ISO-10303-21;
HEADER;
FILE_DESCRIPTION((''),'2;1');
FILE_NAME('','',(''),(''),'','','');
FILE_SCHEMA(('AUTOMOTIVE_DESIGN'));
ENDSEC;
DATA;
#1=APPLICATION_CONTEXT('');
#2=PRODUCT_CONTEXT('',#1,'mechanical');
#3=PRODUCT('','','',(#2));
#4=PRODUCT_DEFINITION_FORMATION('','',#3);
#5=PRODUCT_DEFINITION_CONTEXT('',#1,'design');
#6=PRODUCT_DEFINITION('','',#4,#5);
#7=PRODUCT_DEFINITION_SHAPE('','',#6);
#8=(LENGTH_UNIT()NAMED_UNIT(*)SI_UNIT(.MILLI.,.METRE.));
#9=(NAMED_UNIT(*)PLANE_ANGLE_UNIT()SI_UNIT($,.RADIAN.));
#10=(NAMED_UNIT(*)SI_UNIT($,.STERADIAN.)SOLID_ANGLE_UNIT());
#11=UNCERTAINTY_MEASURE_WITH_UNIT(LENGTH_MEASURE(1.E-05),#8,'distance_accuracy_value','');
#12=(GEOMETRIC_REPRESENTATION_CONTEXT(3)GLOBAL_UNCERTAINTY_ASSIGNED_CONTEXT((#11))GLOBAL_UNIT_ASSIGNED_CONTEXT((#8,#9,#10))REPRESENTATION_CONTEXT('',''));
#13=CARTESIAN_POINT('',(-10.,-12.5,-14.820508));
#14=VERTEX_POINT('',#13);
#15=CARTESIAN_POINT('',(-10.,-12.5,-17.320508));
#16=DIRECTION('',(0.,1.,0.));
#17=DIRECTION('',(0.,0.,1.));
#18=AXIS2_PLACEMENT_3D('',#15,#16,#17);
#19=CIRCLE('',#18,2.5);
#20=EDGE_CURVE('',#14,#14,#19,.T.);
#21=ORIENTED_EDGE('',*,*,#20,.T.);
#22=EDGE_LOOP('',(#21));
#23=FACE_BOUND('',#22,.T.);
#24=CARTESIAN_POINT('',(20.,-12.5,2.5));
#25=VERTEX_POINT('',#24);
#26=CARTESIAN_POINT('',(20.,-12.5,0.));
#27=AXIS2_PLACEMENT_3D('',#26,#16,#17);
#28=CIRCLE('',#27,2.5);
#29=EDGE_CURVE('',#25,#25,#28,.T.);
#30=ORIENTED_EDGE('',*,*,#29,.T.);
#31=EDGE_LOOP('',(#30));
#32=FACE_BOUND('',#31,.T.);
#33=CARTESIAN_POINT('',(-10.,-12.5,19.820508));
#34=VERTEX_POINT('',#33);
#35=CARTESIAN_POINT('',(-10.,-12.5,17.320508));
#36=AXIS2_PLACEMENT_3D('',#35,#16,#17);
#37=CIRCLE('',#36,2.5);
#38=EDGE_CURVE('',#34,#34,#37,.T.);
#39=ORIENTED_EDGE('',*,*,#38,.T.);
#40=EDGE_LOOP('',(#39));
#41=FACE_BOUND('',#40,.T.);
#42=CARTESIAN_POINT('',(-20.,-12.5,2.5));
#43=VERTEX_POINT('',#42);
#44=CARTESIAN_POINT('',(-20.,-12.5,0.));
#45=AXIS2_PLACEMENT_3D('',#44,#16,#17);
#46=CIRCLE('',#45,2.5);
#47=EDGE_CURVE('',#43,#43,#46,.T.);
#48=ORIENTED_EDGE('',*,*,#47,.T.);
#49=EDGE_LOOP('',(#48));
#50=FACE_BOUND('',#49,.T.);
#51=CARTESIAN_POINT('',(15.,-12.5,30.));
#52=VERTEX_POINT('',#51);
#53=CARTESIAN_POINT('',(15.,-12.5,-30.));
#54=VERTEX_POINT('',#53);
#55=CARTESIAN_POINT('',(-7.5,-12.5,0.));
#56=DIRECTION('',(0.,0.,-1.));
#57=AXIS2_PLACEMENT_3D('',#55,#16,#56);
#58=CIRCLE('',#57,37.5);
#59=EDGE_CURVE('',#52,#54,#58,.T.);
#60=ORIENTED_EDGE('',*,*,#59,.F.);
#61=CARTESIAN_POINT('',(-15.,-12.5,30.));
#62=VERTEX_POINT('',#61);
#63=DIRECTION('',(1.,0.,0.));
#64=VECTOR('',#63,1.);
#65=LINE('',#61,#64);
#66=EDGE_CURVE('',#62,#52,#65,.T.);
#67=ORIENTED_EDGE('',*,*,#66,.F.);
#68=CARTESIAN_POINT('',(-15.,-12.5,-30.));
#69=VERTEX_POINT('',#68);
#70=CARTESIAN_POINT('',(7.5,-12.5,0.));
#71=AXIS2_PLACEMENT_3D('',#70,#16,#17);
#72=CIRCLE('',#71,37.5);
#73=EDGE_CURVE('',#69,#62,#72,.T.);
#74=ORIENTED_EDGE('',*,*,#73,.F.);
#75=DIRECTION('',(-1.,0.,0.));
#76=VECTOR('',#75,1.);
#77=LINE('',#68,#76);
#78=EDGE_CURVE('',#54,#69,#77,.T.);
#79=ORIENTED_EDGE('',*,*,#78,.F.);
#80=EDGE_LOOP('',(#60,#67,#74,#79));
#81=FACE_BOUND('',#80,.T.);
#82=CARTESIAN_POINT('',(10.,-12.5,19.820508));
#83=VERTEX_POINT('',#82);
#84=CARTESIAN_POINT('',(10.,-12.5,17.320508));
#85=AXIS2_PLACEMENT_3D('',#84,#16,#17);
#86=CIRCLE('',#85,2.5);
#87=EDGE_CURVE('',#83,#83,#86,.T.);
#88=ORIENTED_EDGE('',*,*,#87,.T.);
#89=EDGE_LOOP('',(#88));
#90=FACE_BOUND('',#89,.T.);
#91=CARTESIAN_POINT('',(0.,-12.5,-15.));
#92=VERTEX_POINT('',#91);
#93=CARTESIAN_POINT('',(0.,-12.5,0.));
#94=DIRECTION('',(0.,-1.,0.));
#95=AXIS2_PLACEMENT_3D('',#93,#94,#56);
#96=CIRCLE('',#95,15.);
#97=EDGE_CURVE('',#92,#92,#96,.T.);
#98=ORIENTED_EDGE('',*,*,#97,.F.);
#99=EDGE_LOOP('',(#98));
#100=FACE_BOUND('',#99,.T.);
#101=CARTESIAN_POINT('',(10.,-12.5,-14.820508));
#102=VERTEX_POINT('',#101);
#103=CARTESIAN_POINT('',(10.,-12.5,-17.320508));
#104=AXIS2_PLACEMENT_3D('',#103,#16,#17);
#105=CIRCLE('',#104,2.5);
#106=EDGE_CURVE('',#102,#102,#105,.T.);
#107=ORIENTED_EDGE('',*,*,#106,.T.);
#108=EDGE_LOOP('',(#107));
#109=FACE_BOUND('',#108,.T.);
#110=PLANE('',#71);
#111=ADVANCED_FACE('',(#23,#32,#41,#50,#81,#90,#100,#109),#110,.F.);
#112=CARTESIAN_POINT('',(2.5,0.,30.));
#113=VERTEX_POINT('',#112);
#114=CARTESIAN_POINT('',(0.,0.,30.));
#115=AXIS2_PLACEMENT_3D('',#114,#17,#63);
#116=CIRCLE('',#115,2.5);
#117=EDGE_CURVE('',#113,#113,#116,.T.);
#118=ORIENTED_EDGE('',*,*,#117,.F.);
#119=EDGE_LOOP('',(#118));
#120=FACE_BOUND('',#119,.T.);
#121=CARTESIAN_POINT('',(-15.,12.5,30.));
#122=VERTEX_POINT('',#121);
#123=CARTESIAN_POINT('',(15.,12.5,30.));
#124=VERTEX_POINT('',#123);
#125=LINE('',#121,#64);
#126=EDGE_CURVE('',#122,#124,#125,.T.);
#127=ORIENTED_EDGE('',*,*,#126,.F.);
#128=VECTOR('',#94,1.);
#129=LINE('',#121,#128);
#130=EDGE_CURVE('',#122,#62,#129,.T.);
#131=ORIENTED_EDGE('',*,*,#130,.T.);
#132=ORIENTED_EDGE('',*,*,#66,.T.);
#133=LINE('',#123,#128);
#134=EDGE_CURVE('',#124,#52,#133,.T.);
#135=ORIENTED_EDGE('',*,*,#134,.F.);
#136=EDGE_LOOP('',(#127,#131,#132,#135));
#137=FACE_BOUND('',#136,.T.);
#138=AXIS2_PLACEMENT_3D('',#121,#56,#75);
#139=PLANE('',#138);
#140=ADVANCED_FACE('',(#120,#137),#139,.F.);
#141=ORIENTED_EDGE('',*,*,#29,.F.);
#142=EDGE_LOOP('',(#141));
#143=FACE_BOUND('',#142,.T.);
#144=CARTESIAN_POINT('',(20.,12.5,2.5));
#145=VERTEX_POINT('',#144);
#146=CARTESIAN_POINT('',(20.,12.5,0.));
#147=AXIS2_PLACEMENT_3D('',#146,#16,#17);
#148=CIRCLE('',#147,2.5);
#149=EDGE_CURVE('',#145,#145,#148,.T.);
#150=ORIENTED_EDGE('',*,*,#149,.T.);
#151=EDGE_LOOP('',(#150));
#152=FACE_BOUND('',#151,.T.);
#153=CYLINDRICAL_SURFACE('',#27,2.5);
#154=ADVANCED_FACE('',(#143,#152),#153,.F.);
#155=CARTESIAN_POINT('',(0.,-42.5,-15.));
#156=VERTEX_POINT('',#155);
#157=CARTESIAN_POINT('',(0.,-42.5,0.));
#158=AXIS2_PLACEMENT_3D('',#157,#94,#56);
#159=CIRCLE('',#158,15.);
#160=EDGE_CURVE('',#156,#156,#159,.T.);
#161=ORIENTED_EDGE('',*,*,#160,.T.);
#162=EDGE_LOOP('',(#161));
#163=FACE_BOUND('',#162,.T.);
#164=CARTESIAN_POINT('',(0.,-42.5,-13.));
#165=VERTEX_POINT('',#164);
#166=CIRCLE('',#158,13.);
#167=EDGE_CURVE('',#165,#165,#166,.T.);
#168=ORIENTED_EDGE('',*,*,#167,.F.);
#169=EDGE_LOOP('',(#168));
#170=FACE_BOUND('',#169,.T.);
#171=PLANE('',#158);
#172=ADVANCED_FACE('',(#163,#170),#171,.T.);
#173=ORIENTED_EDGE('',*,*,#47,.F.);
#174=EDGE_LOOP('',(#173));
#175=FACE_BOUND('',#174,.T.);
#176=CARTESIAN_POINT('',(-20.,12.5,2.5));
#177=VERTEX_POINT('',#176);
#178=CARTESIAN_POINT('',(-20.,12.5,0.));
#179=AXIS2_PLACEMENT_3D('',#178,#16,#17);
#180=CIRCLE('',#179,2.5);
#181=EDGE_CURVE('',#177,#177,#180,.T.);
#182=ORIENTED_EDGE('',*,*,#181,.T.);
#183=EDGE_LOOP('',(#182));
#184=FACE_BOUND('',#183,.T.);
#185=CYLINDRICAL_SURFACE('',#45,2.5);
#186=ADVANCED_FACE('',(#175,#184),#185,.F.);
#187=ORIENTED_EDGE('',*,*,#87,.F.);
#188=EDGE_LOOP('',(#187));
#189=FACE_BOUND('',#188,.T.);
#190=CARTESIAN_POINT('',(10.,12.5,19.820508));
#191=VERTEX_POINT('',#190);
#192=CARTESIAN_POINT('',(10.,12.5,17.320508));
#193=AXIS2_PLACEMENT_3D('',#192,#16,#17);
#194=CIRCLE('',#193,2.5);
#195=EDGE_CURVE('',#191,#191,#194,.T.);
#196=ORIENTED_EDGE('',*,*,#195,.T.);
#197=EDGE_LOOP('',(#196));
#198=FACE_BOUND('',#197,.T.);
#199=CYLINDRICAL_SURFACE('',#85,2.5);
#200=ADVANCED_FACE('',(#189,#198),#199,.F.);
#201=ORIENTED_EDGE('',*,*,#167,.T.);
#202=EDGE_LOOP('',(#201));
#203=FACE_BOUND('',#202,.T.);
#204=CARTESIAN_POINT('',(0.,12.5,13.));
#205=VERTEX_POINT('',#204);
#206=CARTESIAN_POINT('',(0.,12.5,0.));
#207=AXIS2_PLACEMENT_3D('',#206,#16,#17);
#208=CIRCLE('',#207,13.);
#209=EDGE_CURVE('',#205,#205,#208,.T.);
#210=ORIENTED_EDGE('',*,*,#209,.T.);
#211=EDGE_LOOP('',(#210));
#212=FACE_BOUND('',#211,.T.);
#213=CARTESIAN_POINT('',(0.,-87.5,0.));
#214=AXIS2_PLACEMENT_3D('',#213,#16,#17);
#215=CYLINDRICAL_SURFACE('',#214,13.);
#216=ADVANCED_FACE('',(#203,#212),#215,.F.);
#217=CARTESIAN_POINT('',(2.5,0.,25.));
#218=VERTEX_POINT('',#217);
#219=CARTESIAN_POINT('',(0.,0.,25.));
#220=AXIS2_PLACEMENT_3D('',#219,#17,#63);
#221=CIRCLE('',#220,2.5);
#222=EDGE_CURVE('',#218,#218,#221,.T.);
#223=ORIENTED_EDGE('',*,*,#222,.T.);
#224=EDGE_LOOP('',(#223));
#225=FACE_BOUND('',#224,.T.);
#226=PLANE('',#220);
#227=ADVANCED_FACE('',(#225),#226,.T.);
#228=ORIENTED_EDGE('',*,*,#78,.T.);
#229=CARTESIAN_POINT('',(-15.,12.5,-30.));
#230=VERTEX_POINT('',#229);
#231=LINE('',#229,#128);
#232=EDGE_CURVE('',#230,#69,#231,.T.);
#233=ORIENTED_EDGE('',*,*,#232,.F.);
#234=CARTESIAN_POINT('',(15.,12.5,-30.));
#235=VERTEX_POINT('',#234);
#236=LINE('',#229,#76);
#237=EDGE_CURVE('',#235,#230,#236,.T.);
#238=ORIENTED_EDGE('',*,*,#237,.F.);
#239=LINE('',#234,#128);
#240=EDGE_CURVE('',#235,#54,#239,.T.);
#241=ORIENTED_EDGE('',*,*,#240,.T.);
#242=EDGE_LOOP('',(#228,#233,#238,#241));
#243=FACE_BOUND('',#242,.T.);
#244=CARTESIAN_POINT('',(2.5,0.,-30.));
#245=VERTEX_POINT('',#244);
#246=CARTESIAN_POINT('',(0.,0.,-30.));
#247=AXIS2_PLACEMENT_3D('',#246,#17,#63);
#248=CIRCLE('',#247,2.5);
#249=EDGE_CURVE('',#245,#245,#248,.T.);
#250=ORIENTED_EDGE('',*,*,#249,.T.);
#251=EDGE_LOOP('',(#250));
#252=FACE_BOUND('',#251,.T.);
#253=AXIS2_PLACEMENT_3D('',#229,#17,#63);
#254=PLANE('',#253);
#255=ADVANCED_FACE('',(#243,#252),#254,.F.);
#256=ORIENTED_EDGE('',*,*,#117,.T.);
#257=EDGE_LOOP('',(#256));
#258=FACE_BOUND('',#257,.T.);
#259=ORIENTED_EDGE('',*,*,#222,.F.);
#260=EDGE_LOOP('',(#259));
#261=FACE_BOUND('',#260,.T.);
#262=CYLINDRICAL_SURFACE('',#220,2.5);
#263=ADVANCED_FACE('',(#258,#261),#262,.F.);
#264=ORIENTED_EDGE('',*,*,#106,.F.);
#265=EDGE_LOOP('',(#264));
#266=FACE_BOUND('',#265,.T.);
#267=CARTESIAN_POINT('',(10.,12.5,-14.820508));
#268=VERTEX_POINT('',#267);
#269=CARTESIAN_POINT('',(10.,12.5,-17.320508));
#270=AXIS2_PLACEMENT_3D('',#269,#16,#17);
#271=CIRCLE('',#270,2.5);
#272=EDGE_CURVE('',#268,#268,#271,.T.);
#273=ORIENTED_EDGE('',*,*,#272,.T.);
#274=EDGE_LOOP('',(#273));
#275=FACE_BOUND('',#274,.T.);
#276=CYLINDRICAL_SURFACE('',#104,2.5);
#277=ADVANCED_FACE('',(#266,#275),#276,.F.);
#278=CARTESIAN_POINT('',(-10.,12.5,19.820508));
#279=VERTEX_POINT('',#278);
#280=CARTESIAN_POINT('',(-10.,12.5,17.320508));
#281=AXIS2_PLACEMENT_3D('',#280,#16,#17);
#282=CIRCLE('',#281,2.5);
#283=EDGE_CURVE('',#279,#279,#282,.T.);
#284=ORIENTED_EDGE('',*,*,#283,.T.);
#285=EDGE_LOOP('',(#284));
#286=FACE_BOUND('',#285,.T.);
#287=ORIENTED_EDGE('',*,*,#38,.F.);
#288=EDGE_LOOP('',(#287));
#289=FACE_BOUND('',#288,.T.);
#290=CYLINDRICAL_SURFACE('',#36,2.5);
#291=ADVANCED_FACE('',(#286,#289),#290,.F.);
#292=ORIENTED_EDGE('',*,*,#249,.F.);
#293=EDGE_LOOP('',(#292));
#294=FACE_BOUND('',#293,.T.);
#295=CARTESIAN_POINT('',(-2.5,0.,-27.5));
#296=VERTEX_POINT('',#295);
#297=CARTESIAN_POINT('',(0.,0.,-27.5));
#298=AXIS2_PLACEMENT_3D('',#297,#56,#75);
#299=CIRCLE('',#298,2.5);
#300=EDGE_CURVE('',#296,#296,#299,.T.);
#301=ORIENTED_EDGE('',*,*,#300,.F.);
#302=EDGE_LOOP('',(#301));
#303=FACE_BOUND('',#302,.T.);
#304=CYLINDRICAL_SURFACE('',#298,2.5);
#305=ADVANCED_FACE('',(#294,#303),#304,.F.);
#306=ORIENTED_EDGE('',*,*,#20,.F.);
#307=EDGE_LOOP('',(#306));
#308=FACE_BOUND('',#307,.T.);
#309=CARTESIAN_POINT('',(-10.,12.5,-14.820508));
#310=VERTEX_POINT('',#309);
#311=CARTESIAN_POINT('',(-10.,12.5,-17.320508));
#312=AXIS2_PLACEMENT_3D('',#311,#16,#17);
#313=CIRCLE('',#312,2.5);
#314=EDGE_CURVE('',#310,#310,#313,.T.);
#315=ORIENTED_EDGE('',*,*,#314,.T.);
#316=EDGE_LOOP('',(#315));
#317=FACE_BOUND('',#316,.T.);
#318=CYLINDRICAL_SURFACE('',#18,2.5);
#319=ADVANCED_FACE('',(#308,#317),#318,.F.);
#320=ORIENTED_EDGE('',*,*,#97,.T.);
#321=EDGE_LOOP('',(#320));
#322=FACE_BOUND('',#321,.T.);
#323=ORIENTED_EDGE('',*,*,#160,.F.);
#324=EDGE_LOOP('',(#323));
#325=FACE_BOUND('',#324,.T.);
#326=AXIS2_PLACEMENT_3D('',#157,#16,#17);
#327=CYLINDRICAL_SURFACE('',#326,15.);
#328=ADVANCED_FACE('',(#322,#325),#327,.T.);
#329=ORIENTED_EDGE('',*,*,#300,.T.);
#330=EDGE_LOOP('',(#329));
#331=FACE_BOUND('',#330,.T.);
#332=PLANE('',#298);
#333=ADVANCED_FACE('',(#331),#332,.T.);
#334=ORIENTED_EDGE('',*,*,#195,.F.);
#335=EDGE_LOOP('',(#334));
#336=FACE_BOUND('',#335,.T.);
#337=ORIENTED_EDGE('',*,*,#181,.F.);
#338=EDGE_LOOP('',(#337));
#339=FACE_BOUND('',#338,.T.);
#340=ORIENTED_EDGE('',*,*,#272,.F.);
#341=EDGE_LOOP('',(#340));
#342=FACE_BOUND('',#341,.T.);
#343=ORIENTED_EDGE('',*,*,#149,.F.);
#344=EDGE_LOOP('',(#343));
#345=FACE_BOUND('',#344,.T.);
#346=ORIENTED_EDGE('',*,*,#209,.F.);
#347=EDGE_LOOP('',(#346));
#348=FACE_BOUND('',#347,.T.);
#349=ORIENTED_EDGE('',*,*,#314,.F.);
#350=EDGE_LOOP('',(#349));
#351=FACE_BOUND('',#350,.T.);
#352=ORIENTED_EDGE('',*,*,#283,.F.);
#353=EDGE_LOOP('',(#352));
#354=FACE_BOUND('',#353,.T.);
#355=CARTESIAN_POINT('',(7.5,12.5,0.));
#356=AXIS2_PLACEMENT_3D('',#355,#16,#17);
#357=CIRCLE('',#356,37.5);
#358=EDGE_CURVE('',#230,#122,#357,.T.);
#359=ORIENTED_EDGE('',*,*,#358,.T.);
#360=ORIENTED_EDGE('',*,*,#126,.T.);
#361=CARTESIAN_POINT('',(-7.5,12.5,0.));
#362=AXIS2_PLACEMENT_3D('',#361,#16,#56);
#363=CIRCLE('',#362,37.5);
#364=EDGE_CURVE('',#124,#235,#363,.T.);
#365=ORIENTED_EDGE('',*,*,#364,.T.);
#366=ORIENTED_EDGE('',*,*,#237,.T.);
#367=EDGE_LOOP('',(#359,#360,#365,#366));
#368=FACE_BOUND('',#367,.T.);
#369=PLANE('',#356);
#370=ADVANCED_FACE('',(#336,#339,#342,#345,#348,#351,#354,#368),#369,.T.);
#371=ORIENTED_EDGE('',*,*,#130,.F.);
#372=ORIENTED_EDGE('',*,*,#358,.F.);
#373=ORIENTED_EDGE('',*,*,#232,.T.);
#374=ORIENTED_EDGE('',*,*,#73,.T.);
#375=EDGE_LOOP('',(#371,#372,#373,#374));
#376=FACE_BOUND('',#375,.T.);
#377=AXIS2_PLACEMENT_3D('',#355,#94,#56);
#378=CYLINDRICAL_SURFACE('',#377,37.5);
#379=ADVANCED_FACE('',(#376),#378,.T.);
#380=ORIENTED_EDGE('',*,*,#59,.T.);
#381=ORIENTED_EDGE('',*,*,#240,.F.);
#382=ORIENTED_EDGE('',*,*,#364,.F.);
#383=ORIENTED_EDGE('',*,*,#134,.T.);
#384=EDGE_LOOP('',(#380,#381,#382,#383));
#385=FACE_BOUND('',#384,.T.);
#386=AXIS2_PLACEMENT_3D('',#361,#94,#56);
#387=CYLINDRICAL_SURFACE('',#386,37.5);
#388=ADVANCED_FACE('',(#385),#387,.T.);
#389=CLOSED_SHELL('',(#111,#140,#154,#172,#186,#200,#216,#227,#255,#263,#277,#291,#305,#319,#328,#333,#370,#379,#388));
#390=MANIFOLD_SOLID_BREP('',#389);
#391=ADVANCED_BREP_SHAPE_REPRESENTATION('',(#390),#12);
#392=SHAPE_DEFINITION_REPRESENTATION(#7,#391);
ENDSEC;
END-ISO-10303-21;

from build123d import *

# Parameters (mm, degrees)
SALIENTE_EXTRUIR2_DEPTH = 12.5
CROQUIS31_R             = 15
SALIENTE_EXTRUIR3_DEPTH = 30
CROQUIS8_R              = 13
CORTAR_EXTRUIR2_DEPTH   = 100
CROQUIS33_R             = 2.5
CORTAR_EXTRUIR9_DEPTH   = 2.5
CORTAR_EXTRUIR10_START  = -5
CROQUIS34_R             = 2.5
CORTAR_EXTRUIR10_DEPTH  = 5
CROQUIS35_R             = 2.5
CORTAR_EXTRUIR11_DEPTH  = 25


with BuildPart() as part:
    # Croquis1 → Saliente-Extruir2 (new, symmetric)
    with BuildSketch(Plane(origin=(0, 0, 0), x_dir=(1, 0, 0), z_dir=(0, 1, 0))):
        with BuildLine():
            Line((-15, -30), (15, -30))
            ThreePointArc((15, -30), (30, 0), (15, 30))
            Line((15, 30), (-15, 30))
            ThreePointArc((-15, 30), (-30, 0), (-15, -30))
        make_face()
    extrude(amount=SALIENTE_EXTRUIR2_DEPTH, both=True)

    # Croquis31 → Saliente-Extruir3 (add)
    with BuildSketch(Plane(origin=(0, -12.5, 0), x_dir=(-1, 0, 0), z_dir=(0, -1, 0))):
        with Locations(Location((0, 0, 0), (0, 0, 90))):
            Circle(CROQUIS31_R)
    extrude(amount=SALIENTE_EXTRUIR3_DEPTH)

    # Croquis8 → Cortar-Extruir2 (cut)
    with BuildSketch(Plane(origin=(0, 12.5, 0), x_dir=(1, 0, 0), z_dir=(0, 1, 0))):
        with Locations(Location((0, 0, 0), (0, 0, 270))):
            Circle(CROQUIS8_R)
    extrude(amount=-CORTAR_EXTRUIR2_DEPTH, mode=Mode.SUBTRACT)

    # Croquis33 → Cortar-Extruir9 (cut, symmetric)
    with BuildSketch(Plane(origin=(0, 0, -30), x_dir=(-1, 0, 0), z_dir=(0, 0, -1))):
        Circle(CROQUIS33_R)
    extrude(amount=CORTAR_EXTRUIR9_DEPTH, both=True, mode=Mode.SUBTRACT)

    # Croquis34 → Cortar-Extruir10 (cut)
    with BuildSketch(Plane.XY.offset(30).offset(CORTAR_EXTRUIR10_START)):
        with Locations(Location((0, 0, 0), (0, 0, 180))):
            Circle(CROQUIS34_R)
    extrude(amount=CORTAR_EXTRUIR10_DEPTH, mode=Mode.SUBTRACT)

    # Croquis35 → Cortar-Extruir11 (cut)
    with BuildSketch(Plane(origin=(0, 12.5, 0), x_dir=(1, 0, 0), z_dir=(0, 1, 0))):
        with Locations(Location((20, 0, 0), (0, 0, 270))):
            Circle(CROQUIS35_R)
        with Locations(Location((-20, 0, 0), (0, 0, 270))):
            Circle(CROQUIS35_R)
        with Locations(Location((-10, 17.320508076, 0), (0, 0, 270))):
            Circle(CROQUIS35_R)
        with Locations(Location((10, 17.320508076, 0), (0, 0, 270))):
            Circle(CROQUIS35_R)
        with Locations(Location((10, -17.320508076, 0), (0, 0, 270))):
            Circle(CROQUIS35_R)
        with Locations(Location((-10, -17.320508076, 0), (0, 0, 270))):
            Circle(CROQUIS35_R)
    extrude(amount=-CORTAR_EXTRUIR11_DEPTH, mode=Mode.SUBTRACT)


solid = part.part
